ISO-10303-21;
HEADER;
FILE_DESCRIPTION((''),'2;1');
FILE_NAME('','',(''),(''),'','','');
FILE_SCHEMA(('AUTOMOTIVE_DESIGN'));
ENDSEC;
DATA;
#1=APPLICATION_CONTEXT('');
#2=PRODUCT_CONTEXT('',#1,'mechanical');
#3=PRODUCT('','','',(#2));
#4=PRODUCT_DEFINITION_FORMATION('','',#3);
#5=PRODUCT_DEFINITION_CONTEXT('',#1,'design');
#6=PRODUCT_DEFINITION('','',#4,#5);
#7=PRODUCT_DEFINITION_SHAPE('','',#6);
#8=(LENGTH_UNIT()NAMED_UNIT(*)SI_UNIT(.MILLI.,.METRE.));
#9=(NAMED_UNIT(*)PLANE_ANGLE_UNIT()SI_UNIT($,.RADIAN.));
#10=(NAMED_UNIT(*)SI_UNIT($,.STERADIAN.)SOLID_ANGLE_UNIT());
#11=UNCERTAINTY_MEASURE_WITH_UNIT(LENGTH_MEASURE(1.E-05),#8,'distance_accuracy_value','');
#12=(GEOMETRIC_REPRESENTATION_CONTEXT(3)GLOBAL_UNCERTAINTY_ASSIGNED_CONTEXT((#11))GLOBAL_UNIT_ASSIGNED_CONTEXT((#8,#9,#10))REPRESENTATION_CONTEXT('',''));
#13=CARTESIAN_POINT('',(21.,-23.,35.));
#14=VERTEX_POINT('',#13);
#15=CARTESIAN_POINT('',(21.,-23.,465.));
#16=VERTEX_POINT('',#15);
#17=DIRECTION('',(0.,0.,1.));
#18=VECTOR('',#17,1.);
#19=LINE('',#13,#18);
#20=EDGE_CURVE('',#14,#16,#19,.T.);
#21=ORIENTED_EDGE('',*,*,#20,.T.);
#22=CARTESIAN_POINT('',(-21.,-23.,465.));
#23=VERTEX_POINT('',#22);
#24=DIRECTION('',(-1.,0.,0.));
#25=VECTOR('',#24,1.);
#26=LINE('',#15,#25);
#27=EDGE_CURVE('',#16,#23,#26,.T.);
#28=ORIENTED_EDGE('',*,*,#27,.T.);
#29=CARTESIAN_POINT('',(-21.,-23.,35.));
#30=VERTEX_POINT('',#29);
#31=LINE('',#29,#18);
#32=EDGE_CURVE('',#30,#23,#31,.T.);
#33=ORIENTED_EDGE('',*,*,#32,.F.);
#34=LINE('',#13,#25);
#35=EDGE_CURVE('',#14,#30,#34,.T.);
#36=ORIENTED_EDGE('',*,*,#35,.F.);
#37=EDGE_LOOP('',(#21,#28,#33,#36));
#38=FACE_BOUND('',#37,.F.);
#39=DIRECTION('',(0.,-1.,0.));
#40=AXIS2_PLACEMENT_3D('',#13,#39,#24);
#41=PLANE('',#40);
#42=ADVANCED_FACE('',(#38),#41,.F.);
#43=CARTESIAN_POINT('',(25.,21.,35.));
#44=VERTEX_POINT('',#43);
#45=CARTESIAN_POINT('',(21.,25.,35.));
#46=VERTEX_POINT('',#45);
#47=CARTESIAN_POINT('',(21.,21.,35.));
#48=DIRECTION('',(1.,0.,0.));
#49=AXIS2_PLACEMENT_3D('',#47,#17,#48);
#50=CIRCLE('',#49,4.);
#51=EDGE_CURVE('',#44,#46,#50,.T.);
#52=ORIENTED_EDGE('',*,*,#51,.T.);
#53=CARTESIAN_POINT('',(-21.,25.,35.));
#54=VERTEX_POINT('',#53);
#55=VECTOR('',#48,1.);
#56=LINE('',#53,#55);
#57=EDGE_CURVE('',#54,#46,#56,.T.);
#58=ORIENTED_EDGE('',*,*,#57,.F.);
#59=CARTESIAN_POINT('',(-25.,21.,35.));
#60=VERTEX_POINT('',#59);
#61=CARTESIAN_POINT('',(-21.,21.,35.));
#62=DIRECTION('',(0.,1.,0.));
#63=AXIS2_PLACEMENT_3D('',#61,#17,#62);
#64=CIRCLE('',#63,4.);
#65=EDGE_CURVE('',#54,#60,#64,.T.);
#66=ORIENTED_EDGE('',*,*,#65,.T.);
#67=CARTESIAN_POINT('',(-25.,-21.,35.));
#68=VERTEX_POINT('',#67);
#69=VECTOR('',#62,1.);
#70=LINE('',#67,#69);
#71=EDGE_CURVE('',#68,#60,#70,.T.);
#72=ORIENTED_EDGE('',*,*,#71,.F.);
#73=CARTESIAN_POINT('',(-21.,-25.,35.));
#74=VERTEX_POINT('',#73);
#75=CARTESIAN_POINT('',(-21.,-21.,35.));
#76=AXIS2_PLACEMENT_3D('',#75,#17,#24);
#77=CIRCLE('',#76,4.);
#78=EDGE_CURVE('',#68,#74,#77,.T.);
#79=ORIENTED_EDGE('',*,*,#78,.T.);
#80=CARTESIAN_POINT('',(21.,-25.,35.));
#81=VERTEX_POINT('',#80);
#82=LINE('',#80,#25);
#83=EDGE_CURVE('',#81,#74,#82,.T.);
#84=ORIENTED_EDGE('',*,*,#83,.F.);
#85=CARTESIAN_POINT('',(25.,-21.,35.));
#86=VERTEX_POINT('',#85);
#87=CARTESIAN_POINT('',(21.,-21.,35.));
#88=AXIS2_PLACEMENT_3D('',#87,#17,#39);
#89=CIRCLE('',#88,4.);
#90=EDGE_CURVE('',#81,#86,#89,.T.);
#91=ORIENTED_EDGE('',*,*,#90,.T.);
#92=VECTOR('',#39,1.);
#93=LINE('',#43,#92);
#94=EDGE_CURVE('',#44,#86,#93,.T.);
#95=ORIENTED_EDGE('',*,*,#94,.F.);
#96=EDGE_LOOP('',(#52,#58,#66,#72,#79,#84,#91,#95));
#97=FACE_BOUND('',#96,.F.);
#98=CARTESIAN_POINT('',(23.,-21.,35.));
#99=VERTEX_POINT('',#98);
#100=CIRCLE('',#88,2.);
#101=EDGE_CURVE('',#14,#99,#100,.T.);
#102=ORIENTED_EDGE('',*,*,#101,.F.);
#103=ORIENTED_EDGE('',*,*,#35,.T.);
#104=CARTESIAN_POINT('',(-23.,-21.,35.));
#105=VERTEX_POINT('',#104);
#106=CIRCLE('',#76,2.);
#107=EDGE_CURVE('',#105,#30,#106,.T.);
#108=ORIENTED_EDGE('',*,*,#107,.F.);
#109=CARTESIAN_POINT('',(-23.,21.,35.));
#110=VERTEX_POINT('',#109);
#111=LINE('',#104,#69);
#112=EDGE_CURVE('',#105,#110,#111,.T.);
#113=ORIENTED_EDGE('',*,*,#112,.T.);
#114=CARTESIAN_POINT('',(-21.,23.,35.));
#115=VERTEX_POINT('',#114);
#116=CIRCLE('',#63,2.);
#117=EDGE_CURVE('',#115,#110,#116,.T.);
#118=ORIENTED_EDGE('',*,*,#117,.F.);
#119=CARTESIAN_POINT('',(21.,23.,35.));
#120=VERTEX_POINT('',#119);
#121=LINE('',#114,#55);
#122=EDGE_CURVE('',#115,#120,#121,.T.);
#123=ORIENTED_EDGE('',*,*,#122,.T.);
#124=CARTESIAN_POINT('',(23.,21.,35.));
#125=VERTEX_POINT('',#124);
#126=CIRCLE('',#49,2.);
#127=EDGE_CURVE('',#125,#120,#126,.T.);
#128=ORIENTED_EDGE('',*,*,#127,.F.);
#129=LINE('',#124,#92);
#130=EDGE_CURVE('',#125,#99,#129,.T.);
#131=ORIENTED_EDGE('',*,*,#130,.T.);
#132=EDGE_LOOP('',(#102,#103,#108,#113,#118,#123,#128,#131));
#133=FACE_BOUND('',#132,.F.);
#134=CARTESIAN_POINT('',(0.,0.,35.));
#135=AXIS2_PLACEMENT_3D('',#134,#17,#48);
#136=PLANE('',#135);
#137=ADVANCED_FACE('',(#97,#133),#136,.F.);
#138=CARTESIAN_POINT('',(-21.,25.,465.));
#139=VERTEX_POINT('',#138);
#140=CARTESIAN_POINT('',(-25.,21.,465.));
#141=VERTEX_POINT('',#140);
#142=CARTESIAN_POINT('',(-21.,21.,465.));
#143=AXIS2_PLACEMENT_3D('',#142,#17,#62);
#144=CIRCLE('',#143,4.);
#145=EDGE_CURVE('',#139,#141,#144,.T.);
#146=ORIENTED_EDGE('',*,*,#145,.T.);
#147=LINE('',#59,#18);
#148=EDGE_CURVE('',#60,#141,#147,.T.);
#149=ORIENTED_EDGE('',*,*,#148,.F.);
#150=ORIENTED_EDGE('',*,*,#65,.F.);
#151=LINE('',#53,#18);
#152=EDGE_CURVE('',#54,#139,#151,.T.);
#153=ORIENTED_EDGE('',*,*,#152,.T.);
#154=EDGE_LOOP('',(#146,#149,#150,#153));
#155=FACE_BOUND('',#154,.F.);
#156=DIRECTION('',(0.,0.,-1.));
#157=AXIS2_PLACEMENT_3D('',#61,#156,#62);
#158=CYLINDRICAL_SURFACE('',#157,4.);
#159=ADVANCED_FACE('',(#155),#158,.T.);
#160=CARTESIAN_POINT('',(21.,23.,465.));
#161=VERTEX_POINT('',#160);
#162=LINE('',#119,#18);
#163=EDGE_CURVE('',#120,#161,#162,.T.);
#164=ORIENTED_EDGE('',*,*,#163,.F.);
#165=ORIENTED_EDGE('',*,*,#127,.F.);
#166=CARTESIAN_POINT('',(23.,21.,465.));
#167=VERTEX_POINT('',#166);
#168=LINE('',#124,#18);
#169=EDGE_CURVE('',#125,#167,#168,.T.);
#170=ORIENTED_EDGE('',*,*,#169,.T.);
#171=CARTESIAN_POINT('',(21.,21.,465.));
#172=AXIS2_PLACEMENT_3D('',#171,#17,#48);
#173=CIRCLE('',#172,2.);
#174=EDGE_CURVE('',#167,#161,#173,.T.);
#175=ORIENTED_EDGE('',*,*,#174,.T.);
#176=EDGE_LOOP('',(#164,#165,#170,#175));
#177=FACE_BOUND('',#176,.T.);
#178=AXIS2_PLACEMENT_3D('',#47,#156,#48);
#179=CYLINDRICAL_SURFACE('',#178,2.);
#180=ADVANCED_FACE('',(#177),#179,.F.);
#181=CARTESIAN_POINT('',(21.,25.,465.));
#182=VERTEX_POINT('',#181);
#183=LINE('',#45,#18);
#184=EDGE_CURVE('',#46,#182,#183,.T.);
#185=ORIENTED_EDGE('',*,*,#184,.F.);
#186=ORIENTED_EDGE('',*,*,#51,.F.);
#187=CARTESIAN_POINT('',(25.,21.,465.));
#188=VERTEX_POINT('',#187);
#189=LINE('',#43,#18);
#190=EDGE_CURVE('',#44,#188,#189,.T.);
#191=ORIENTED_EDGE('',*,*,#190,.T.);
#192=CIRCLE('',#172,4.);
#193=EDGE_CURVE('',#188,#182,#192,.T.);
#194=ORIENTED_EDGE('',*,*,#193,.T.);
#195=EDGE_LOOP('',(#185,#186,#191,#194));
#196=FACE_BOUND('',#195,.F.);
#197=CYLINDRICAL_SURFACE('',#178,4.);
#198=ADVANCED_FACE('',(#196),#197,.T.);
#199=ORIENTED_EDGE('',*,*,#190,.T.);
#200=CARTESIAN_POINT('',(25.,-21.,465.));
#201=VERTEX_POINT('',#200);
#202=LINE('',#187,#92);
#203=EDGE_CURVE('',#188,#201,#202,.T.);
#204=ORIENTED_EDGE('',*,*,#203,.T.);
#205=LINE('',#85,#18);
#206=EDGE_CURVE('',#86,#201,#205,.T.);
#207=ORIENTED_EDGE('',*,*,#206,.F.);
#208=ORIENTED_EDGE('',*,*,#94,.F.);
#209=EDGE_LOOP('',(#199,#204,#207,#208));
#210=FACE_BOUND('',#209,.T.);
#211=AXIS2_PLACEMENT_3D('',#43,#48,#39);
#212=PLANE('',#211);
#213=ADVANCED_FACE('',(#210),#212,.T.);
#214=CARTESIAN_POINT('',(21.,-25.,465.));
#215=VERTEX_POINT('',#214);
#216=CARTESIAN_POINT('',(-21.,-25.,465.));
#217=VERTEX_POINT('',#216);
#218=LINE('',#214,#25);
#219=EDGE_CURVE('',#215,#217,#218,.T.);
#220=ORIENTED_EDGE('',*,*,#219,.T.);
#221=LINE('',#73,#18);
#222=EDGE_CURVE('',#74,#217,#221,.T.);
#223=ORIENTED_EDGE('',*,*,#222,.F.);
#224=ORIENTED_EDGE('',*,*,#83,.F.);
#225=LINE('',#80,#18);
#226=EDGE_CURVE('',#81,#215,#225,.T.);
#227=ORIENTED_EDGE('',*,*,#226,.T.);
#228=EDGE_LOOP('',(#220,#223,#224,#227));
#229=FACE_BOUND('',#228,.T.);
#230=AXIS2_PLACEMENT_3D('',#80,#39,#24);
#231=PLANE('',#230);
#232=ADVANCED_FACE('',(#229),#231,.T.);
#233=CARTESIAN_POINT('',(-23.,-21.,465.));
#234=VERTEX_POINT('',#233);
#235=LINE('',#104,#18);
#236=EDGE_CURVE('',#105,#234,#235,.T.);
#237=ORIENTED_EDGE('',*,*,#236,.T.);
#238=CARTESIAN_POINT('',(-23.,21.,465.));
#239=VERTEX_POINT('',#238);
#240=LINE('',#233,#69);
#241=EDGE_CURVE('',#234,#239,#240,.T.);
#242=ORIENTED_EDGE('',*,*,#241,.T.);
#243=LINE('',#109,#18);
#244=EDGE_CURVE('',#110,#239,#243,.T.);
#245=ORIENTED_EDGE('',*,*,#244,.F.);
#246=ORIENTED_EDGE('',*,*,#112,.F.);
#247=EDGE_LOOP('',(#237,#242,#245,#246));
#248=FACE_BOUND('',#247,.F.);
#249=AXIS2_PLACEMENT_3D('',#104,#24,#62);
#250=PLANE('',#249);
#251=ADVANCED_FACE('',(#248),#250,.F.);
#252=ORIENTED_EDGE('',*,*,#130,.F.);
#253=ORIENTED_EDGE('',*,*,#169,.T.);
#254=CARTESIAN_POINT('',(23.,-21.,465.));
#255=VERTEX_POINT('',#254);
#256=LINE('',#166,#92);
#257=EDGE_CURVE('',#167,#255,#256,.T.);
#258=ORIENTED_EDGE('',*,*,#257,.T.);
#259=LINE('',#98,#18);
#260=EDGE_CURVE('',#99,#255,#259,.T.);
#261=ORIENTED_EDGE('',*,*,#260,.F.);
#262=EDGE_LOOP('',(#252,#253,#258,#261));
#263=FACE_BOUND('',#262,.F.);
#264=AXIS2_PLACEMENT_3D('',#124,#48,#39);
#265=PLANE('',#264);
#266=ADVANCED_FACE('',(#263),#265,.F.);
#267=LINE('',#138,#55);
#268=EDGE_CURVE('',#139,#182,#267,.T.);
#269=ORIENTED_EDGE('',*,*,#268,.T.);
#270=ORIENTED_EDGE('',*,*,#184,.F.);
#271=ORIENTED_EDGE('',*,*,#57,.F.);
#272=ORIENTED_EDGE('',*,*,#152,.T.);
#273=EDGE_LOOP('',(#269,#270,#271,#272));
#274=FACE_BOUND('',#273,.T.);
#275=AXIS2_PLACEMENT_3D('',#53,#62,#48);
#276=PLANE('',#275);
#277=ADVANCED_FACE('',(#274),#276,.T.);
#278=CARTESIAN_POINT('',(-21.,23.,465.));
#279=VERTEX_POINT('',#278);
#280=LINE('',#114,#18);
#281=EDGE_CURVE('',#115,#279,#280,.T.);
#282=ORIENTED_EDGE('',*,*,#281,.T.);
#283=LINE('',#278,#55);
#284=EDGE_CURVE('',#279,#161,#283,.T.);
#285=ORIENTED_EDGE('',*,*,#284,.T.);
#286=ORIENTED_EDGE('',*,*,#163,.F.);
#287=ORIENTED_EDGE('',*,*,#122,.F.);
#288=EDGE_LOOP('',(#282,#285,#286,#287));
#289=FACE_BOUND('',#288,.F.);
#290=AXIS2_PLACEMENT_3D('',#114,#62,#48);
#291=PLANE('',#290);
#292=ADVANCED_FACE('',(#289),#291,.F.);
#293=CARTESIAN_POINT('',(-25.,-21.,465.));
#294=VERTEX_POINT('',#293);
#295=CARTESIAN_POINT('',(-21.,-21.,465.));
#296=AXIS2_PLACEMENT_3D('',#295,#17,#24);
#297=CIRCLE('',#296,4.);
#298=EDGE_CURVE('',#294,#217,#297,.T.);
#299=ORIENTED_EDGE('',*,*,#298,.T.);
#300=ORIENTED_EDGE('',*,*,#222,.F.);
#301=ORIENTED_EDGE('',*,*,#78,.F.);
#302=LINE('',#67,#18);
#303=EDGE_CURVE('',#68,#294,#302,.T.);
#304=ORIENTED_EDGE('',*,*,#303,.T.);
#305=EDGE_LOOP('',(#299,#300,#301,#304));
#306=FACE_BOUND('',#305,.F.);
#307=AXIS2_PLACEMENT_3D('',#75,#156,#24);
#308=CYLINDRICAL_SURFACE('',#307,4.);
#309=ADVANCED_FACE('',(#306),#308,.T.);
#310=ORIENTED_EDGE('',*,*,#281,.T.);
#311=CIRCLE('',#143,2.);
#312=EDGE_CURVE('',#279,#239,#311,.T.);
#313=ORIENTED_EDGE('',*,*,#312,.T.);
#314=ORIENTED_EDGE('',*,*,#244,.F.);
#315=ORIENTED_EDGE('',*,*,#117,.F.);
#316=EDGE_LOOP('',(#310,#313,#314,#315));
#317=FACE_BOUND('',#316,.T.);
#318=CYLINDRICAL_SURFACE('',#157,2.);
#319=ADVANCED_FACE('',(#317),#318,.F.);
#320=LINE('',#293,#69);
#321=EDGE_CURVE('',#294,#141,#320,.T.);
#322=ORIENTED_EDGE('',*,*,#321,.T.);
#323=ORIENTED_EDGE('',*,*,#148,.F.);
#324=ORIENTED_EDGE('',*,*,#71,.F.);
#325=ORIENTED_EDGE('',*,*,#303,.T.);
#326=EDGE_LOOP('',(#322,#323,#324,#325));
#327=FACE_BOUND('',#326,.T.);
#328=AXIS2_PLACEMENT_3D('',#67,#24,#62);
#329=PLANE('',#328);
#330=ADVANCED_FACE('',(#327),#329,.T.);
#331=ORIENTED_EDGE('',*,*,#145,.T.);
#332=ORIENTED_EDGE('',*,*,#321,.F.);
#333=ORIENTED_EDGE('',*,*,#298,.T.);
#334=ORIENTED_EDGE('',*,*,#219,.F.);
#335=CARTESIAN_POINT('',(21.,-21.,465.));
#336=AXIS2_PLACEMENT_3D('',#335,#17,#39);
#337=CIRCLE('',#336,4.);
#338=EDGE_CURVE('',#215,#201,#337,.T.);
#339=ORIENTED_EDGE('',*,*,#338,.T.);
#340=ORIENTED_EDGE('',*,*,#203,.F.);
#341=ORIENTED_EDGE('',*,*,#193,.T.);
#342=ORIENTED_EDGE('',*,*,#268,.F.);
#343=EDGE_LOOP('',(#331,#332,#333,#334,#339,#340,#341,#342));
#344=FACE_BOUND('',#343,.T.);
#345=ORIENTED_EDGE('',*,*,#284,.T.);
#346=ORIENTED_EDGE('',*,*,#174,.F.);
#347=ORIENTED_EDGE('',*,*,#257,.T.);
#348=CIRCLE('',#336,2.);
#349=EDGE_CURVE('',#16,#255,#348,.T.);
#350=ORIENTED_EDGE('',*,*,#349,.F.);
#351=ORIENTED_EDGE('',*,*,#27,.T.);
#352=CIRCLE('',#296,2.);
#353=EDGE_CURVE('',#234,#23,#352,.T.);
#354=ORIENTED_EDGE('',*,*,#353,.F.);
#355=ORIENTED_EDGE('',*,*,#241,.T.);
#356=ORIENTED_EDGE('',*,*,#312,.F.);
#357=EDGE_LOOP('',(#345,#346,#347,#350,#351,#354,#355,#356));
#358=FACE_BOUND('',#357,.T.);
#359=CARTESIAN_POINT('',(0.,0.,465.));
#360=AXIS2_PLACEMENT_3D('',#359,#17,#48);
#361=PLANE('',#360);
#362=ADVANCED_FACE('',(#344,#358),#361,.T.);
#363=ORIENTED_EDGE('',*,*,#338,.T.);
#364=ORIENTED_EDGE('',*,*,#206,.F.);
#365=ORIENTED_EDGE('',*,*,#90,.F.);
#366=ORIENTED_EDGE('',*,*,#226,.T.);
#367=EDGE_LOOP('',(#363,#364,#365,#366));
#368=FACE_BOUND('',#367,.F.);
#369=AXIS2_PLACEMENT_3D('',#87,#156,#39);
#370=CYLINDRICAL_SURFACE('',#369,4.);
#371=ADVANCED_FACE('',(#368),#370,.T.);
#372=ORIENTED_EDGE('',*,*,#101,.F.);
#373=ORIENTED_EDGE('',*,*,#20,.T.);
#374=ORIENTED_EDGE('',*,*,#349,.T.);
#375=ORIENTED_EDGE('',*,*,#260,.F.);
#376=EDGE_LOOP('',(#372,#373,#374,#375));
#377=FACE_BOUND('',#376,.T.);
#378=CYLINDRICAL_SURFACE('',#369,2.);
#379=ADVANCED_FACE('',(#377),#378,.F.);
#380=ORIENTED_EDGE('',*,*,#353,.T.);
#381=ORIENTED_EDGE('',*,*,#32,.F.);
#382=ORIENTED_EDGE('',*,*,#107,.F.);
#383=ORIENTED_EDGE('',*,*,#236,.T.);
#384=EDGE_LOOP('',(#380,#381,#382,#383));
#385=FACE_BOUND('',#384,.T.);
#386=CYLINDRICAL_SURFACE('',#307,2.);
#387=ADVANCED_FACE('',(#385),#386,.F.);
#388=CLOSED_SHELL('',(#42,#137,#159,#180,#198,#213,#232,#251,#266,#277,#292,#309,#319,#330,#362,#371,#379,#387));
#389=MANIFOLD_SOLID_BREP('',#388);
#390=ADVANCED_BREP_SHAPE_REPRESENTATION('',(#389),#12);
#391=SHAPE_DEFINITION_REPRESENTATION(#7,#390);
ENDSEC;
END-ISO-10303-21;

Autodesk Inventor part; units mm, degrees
ref_plane "Plano inicial" through (0, 0, 35) normal (0, 0, 1) x (1, 0, 0)
ref_plane "Plano final" through (0, 0, 465) normal (0, 0, 1) x (1, 0, 0)
sketch "Boceto" plane through (0, 0, 0) normal (0, 0, 1) x (1, 0, 0)
  line L0 (-25, -21) -> (-25, 21)
  line L1 (-21, 25) -> (21, 25)
  line L2 (25, 21) -> (25, -21)
  line L3 (21, -25) -> (-21, -25)
  arc A0 (-25, -21) -> (-21, -25) centre (-21, -21) ccw
  arc A1 (25, 21) -> (21, 25) centre (21, 21) ccw
  arc A2 (-21, 25) -> (-25, 21) centre (-21, 21) ccw
  arc A3 (21, -25) -> (25, -21) centre (21, -21) ccw
  arc A4 (-21, 23) -> (-23, 21) centre (-21, 21) ccw
  line L4 (-21, 23) -> (21, 23)
  arc A5 (23, 21) -> (21, 23) centre (21, 21) ccw
  line L5 (23, 21) -> (23, -21)
  arc A6 (21, -23) -> (23, -21) centre (21, -21) ccw
  line L6 (21, -23) -> (-21, -23)
  arc A7 (-23, -21) -> (-21, -23) centre (-21, -21) ccw
  line L7 (-23, -21) -> (-23, 21)
  line L8 (0, 36.1598) -> (0, -36.1598) construction
  line L9 (-36.1598, 0) -> (36.1598, 0) construction
  dimension "d7" = 4
  dimension "d9" = 50
  dimension "d11" = 50
  dimension "d12" = 2
  dimension "d15" = 25
  dimension "d16" = 25
extrude "Cuerpo" add sketch "Boceto" along normal up to surface (430 mm away) from surface at 35
sketch "Sketch3" plane through (0, 0, 0) normal (0, 0, 1) x (1, 0, 0)
  line L0 (0, 0) -> (10, 0)
ref_plane "Work Plane3" through (0, 0, 0) normal (0, -1, 0) x (1, 0, 0)
sketch "Sketch4" plane through (0, 0, 0) normal (0, -1, 0) x (1, 0, 0)
  line L0 (-2, 35) -> (12, 35)
  line L1 (-2, 465) -> (12, 465)
  dimension "d18" = 430
ref_plane "Plano de trabajo4" through (1910, 29, 35) normal (0, 0, -1) x (-1, 0, 0)
split "Dividir1" plane through (1910, 29, 35) removes the side toward (0, 0, -1)
ref_plane "Plano de trabajo5" through (1910, -29, 465) normal (0, 0, 1) x (1, 0, 0)
split "Dividir2" plane through (1910, -29, 465) removes the side toward (0, 0, 1)
equation "\"d7\" = G_IR"
equation "\"d9\" = G_W"
equation "\"d11\" = G_H"
equation "\"d12\" = G_T"
equation "\"d15\" = 0.5 * d9"
equation "\"d16\" = 0.5 * d11"
equation "\"d3\" = G_L"
equation "\"G_W\" = 50"
equation "\"G_H\" = 50"
equation "\"G_T\" = 2"
equation "\"G_IR\" = 4"
equation "\"G_L\" = d18"
equation "\"G_OFFSET_START\" = -35"
equation "\"G_OFFSET_END\" = -35"
equation "\"d13\" = -G_OFFSET_START"
equation "\"d14\" = G_OFFSET_END + B_L"
equation "\"B_L\" = 500"
properties part number "ISO 10799-2 - 50x50x2 - 430" material "Galvanizado catalogo 1"
